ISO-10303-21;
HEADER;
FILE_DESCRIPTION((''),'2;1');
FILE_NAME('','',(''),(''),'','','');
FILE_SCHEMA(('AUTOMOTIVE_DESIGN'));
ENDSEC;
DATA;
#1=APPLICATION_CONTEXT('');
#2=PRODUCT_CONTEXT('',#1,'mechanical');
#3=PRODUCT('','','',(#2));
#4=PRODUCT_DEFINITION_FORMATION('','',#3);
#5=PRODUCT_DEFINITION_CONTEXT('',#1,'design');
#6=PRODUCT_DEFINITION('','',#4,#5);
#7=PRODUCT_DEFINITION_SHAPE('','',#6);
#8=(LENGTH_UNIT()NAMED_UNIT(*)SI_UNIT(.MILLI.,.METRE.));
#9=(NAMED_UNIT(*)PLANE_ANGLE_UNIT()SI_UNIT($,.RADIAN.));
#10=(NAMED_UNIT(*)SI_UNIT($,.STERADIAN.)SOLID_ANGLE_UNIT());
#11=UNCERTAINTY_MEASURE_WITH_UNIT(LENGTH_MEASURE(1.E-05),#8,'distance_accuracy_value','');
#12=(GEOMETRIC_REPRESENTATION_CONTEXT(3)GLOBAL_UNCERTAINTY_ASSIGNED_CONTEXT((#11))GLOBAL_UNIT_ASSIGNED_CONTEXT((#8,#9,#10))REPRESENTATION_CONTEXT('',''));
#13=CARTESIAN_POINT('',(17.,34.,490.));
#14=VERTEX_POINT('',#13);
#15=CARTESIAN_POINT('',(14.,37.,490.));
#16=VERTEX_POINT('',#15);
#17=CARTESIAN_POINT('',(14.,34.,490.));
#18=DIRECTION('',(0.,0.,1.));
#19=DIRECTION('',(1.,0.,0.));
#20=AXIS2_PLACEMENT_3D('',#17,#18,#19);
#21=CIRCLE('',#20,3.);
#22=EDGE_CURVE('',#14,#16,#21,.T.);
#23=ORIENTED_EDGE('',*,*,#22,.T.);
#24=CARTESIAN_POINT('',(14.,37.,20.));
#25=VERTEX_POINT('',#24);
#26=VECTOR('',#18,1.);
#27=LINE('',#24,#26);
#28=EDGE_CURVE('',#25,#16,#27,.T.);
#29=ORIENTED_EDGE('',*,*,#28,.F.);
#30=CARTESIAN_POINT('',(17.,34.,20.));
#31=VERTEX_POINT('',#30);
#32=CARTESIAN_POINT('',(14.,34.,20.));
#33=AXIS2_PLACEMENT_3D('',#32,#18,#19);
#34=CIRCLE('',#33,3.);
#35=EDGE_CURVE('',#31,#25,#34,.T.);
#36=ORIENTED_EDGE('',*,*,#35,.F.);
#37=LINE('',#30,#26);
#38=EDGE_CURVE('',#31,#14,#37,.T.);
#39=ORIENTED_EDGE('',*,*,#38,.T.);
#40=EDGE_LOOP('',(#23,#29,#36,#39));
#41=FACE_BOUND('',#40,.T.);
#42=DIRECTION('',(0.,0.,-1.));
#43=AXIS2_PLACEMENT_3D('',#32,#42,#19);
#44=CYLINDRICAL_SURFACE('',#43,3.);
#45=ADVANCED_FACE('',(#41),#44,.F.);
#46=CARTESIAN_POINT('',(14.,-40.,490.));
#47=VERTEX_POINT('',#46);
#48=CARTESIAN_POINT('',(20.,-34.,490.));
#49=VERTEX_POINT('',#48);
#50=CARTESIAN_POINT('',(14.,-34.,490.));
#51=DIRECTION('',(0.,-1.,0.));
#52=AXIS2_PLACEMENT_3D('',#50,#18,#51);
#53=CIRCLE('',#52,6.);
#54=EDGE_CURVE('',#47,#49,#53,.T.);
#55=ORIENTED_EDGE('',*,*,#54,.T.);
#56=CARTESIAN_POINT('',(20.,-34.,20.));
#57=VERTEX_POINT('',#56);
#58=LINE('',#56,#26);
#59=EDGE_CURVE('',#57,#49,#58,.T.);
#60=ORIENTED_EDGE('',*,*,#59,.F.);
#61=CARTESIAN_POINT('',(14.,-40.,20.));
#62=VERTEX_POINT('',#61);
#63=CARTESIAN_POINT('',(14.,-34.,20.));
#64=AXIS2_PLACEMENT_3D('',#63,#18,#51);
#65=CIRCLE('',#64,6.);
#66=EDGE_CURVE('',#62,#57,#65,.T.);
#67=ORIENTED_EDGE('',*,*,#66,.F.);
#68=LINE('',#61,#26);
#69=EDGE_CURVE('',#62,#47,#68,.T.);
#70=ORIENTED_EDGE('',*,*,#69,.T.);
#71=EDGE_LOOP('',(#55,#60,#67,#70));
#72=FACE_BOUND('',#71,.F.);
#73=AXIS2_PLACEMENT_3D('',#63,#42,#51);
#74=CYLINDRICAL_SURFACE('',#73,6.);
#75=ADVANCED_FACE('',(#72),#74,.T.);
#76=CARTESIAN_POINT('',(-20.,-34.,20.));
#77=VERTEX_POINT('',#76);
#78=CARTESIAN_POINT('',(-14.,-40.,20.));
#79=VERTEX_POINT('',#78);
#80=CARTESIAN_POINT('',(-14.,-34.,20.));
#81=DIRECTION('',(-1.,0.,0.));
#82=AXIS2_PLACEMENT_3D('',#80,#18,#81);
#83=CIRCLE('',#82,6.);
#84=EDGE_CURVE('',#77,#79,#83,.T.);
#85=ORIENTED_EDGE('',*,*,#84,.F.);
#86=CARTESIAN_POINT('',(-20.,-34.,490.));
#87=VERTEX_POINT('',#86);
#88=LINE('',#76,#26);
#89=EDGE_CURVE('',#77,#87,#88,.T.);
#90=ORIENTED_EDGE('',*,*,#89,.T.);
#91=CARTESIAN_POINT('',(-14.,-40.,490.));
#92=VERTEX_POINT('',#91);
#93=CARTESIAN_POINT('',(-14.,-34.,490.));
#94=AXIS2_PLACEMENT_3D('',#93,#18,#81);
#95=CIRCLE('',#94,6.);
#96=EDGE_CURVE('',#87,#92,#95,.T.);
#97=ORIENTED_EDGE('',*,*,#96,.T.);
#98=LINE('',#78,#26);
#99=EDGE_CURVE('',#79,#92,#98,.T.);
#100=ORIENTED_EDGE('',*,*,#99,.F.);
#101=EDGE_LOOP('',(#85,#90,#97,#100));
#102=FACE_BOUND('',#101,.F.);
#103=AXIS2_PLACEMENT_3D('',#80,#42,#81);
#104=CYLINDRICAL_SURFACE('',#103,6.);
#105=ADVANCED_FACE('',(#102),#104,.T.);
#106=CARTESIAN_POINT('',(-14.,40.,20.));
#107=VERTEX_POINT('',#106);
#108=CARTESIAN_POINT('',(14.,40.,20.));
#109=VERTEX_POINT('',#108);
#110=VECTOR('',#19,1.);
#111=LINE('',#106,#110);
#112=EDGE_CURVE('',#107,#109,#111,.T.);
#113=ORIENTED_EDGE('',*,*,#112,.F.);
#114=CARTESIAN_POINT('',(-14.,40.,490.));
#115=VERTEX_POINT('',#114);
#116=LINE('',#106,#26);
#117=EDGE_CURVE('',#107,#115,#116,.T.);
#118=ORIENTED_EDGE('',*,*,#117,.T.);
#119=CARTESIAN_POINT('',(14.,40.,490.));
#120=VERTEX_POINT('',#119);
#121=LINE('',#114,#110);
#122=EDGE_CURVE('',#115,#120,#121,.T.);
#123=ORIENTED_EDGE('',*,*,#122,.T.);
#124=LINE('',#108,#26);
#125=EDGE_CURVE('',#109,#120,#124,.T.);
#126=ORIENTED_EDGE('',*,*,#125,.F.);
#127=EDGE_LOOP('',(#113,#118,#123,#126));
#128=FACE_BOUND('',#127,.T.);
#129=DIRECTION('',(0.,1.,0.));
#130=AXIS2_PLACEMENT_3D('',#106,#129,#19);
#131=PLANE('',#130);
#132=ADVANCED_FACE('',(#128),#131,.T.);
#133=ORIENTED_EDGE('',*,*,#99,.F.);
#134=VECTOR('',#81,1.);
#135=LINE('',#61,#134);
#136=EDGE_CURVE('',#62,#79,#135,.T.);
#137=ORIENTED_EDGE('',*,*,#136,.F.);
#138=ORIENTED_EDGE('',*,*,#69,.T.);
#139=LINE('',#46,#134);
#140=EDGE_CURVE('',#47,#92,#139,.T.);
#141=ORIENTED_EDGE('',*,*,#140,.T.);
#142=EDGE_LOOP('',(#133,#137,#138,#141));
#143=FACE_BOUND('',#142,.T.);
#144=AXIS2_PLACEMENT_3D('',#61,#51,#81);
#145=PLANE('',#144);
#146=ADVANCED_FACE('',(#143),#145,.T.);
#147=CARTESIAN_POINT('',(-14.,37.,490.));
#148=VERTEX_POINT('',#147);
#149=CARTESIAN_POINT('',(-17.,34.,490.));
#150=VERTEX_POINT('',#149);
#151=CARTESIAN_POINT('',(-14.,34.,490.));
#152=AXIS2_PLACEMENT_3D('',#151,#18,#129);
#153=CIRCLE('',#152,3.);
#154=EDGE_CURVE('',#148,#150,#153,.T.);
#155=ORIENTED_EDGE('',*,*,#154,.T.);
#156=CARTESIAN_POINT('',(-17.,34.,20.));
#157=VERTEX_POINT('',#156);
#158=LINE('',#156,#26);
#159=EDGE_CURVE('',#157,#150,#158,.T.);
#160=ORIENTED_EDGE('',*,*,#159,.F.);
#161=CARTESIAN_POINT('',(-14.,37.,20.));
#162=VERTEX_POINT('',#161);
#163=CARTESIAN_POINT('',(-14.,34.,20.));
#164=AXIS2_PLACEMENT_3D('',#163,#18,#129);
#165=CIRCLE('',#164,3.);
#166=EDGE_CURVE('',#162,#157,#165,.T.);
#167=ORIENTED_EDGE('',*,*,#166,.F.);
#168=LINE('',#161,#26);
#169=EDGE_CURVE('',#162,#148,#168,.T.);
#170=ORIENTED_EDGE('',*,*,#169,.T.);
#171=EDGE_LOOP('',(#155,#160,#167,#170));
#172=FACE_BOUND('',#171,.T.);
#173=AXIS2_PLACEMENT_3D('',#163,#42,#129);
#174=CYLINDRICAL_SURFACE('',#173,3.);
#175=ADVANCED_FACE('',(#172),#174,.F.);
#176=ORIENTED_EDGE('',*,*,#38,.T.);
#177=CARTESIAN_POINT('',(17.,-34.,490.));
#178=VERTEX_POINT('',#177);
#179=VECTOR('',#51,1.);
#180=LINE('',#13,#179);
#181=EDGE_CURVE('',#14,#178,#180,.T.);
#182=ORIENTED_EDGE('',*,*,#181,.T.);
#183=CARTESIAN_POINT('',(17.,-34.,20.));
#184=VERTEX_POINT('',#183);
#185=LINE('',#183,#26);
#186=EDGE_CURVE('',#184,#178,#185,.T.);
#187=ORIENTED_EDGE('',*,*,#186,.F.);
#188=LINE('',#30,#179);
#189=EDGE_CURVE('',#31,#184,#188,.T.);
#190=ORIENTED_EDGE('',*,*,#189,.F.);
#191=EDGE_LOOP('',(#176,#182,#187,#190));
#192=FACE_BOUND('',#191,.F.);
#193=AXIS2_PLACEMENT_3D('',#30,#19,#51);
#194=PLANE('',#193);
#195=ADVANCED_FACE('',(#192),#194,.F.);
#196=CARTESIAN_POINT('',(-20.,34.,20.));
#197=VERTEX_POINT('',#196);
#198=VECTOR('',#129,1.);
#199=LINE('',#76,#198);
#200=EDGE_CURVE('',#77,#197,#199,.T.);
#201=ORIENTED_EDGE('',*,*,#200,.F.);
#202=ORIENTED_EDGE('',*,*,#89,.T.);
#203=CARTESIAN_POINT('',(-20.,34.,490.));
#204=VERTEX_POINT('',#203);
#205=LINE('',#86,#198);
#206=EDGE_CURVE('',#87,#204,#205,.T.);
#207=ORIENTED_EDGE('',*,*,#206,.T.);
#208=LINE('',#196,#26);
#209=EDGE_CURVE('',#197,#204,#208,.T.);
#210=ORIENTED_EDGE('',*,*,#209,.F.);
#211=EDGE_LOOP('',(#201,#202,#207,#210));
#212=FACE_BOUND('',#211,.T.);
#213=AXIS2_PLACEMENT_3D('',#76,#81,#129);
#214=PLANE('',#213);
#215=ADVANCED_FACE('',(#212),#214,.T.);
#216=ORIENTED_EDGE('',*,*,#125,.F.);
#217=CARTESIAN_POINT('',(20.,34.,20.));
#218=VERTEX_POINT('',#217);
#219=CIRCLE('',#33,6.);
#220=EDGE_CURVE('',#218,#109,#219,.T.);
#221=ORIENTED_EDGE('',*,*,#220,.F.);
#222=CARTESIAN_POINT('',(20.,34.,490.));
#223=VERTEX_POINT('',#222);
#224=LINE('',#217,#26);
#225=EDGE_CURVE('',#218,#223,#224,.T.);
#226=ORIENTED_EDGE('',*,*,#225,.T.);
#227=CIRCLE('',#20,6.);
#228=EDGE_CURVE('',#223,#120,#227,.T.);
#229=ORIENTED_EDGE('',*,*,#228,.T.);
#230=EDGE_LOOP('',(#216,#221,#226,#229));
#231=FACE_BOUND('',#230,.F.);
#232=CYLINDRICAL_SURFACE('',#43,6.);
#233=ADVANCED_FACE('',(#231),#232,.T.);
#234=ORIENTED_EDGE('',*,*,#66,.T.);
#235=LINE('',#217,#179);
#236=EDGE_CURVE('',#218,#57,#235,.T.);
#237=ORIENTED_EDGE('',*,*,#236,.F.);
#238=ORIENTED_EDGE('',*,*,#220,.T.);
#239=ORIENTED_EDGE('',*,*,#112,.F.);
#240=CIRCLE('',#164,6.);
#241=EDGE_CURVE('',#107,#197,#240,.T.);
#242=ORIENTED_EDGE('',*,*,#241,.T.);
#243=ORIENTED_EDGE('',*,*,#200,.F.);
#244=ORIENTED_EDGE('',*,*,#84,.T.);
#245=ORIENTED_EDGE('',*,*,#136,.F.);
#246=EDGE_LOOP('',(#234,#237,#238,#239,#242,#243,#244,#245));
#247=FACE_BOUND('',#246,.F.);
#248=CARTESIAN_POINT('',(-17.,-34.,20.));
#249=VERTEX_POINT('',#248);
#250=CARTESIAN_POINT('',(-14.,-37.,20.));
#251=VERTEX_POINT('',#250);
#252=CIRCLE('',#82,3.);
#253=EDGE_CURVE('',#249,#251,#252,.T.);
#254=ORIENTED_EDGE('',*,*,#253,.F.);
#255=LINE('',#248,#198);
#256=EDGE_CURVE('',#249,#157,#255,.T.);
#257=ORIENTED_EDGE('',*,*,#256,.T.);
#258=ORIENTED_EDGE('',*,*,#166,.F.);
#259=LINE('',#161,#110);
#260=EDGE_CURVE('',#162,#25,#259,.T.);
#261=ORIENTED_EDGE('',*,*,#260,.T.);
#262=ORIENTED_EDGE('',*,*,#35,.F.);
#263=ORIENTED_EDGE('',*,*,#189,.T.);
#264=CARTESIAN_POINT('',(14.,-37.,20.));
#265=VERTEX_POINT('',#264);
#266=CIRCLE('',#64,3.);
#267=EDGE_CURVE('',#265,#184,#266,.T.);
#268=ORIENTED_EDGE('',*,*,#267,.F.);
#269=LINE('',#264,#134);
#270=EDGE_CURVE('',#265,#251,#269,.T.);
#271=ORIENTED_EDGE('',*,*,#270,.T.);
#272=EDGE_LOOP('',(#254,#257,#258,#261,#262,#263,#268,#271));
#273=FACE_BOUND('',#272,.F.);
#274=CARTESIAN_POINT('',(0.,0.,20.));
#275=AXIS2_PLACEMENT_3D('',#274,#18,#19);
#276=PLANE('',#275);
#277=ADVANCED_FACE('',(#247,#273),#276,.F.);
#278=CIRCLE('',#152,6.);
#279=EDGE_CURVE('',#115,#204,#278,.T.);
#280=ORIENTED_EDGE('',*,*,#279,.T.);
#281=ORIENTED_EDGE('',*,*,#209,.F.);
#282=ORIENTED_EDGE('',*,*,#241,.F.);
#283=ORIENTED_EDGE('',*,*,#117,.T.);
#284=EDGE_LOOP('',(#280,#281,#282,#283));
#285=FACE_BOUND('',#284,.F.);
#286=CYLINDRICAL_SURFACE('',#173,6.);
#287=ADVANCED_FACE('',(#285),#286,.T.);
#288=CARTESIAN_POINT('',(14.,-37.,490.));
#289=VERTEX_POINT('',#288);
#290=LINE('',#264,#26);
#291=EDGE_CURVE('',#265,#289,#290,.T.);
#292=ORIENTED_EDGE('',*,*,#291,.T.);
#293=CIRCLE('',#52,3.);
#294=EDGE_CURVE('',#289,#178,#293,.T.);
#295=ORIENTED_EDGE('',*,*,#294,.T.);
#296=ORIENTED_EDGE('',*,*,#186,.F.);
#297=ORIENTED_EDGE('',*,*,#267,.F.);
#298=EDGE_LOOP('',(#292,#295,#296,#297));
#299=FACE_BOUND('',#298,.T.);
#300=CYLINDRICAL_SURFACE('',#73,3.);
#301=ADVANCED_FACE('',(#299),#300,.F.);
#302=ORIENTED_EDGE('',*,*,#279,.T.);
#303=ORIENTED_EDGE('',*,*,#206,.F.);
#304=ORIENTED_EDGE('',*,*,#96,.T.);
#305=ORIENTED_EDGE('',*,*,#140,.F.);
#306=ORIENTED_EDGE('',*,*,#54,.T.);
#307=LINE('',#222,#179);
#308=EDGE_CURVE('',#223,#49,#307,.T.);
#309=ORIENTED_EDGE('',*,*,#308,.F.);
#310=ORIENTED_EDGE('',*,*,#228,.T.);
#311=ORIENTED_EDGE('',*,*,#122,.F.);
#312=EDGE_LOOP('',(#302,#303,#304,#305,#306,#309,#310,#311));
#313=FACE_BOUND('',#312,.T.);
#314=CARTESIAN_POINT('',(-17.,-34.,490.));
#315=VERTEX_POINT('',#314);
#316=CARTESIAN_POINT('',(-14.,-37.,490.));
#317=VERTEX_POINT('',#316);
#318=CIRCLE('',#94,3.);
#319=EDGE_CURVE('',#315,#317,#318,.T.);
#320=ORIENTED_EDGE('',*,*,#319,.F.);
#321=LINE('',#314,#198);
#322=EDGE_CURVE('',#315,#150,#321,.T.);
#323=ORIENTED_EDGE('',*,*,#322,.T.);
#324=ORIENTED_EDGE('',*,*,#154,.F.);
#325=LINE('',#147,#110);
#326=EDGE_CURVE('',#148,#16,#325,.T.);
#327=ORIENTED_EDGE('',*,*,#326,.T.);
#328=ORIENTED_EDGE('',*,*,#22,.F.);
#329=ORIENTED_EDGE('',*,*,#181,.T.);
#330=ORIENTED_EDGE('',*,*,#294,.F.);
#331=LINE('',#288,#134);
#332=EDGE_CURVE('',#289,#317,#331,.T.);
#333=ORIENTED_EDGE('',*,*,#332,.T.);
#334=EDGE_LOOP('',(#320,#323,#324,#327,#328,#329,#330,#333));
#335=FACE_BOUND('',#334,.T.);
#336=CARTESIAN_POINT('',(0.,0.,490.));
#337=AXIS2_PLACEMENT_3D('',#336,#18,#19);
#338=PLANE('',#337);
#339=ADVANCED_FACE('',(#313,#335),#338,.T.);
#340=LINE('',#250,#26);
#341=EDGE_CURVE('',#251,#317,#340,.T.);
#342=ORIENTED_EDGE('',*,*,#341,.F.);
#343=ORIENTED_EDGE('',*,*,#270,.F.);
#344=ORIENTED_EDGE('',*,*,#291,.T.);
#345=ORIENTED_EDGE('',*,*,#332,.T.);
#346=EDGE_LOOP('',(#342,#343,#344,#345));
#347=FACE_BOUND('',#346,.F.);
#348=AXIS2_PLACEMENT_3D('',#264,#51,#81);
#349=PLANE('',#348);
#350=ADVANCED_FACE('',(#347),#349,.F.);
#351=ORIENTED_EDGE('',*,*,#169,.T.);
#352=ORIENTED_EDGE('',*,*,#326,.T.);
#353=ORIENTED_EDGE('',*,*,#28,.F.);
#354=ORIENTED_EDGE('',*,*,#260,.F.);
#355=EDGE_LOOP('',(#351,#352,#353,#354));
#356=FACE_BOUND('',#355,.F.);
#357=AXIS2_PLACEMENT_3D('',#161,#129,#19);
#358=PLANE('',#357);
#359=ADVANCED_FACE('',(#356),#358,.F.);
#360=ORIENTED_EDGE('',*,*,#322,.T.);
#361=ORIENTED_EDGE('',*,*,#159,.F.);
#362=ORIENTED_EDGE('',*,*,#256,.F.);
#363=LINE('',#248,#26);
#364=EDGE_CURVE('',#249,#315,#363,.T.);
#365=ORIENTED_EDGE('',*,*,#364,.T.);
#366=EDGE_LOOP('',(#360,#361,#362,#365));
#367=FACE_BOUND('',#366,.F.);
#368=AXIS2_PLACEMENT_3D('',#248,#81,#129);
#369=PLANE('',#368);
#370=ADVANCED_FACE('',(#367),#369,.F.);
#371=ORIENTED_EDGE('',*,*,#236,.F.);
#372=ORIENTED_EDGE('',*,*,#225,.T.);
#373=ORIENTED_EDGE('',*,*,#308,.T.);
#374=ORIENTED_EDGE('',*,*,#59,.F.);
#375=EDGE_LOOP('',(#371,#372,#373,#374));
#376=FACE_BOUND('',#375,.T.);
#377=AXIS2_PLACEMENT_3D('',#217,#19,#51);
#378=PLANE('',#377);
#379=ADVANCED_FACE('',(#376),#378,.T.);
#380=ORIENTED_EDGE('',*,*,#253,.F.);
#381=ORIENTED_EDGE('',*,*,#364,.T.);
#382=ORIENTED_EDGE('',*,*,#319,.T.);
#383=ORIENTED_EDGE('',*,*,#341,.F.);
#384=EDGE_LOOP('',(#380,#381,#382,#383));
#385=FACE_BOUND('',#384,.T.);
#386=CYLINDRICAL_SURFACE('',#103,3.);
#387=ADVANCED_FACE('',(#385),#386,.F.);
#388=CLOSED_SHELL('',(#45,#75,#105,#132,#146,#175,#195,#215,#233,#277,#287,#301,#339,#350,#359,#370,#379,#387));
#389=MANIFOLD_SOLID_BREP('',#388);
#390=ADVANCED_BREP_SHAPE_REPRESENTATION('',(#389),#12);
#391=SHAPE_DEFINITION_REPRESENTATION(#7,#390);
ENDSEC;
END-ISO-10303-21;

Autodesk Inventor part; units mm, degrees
ref_plane "YZ Plane" through (0, 0, 0) normal (1, 0, 0) x (0, 1, 0)
ref_plane "Start Plane" through (0, 0, 20) normal (0, 0, 1) x (1, 0, 0)
ref_plane "End Plane" through (0, 0, 490) normal (0, 0, 1) x (1, 0, 0)
sketch "Sketch" plane through (0, 0, 0) normal (0, 0, 1) x (1, 0, 0)
  line L0 (-20, -34) -> (-20, 34)
  line L1 (-14, 40) -> (14, 40)
  line L2 (20, 34) -> (20, -34)
  line L3 (14, -40) -> (-14, -40)
  arc A0 (-20, -34) -> (-14, -40) centre (-14, -34) ccw
  arc A1 (20, 34) -> (14, 40) centre (14, 34) ccw
  arc A2 (-14, 40) -> (-20, 34) centre (-14, 34) ccw
  arc A3 (14, -40) -> (20, -34) centre (14, -34) ccw
  arc A4 (-14, 37) -> (-17, 34) centre (-14, 34) ccw
  line L4 (-14, 37) -> (14, 37)
  arc A5 (17, 34) -> (14, 37) centre (14, 34) ccw
  line L5 (17, 34) -> (17, -34)
  arc A6 (14, -37) -> (17, -34) centre (14, -34) ccw
  line L6 (14, -37) -> (-14, -37)
  arc A7 (-17, -34) -> (-14, -37) centre (-14, -34) ccw
  line L7 (-17, -34) -> (-17, 34)
  line L8 (0, 57.7397) -> (0, -57.7397) construction
  line L9 (-29.7397, 0) -> (29.7397, 0) construction
  dimension "d7" = 6
  dimension "d9" = 40
  dimension "d11" = 80
  dimension "d12" = 3
  dimension "d15" = 20
  dimension "d16" = 40
extrude "Body" add sketch "Sketch" along normal up to surface (470 mm away) from surface at 20
sketch "Sketch3" plane through (0, 0, 0) normal (0, 0, 1) x (1, 0, 0)
  line L0 (0, 0) -> (10, 0)
ref_plane "Work Plane3" through (0, 0, 0) normal (0, -1, 0) x (1, 0, 0)
sketch "Sketch4" plane through (0, 0, 0) normal (0, -1, 0) x (1, 0, 0)
  line L0 (-2, 20) -> (12, 20) projected
  line L1 (-2, 490) -> (12, 490) projected
  dimension "d18" = 470
equation "\"d7\" = G_IR"
equation "\"d9\" = G_W"
equation "\"d11\" = G_H"
equation "\"d12\" = G_T"
equation "\"d15\" = 0.5 * d9"
equation "\"d16\" = 0.5 * d11"
equation "\"d3\" = G_L"
equation "\"G_W\" = 40"
equation "\"G_H\" = 80"
equation "\"G_T\" = 3"
equation "\"G_IR\" = 6"
equation "\"G_L\" = d18"
properties part number "ISO 10799-2 - 80x40x3 - 470" material "Steel, Mild"
